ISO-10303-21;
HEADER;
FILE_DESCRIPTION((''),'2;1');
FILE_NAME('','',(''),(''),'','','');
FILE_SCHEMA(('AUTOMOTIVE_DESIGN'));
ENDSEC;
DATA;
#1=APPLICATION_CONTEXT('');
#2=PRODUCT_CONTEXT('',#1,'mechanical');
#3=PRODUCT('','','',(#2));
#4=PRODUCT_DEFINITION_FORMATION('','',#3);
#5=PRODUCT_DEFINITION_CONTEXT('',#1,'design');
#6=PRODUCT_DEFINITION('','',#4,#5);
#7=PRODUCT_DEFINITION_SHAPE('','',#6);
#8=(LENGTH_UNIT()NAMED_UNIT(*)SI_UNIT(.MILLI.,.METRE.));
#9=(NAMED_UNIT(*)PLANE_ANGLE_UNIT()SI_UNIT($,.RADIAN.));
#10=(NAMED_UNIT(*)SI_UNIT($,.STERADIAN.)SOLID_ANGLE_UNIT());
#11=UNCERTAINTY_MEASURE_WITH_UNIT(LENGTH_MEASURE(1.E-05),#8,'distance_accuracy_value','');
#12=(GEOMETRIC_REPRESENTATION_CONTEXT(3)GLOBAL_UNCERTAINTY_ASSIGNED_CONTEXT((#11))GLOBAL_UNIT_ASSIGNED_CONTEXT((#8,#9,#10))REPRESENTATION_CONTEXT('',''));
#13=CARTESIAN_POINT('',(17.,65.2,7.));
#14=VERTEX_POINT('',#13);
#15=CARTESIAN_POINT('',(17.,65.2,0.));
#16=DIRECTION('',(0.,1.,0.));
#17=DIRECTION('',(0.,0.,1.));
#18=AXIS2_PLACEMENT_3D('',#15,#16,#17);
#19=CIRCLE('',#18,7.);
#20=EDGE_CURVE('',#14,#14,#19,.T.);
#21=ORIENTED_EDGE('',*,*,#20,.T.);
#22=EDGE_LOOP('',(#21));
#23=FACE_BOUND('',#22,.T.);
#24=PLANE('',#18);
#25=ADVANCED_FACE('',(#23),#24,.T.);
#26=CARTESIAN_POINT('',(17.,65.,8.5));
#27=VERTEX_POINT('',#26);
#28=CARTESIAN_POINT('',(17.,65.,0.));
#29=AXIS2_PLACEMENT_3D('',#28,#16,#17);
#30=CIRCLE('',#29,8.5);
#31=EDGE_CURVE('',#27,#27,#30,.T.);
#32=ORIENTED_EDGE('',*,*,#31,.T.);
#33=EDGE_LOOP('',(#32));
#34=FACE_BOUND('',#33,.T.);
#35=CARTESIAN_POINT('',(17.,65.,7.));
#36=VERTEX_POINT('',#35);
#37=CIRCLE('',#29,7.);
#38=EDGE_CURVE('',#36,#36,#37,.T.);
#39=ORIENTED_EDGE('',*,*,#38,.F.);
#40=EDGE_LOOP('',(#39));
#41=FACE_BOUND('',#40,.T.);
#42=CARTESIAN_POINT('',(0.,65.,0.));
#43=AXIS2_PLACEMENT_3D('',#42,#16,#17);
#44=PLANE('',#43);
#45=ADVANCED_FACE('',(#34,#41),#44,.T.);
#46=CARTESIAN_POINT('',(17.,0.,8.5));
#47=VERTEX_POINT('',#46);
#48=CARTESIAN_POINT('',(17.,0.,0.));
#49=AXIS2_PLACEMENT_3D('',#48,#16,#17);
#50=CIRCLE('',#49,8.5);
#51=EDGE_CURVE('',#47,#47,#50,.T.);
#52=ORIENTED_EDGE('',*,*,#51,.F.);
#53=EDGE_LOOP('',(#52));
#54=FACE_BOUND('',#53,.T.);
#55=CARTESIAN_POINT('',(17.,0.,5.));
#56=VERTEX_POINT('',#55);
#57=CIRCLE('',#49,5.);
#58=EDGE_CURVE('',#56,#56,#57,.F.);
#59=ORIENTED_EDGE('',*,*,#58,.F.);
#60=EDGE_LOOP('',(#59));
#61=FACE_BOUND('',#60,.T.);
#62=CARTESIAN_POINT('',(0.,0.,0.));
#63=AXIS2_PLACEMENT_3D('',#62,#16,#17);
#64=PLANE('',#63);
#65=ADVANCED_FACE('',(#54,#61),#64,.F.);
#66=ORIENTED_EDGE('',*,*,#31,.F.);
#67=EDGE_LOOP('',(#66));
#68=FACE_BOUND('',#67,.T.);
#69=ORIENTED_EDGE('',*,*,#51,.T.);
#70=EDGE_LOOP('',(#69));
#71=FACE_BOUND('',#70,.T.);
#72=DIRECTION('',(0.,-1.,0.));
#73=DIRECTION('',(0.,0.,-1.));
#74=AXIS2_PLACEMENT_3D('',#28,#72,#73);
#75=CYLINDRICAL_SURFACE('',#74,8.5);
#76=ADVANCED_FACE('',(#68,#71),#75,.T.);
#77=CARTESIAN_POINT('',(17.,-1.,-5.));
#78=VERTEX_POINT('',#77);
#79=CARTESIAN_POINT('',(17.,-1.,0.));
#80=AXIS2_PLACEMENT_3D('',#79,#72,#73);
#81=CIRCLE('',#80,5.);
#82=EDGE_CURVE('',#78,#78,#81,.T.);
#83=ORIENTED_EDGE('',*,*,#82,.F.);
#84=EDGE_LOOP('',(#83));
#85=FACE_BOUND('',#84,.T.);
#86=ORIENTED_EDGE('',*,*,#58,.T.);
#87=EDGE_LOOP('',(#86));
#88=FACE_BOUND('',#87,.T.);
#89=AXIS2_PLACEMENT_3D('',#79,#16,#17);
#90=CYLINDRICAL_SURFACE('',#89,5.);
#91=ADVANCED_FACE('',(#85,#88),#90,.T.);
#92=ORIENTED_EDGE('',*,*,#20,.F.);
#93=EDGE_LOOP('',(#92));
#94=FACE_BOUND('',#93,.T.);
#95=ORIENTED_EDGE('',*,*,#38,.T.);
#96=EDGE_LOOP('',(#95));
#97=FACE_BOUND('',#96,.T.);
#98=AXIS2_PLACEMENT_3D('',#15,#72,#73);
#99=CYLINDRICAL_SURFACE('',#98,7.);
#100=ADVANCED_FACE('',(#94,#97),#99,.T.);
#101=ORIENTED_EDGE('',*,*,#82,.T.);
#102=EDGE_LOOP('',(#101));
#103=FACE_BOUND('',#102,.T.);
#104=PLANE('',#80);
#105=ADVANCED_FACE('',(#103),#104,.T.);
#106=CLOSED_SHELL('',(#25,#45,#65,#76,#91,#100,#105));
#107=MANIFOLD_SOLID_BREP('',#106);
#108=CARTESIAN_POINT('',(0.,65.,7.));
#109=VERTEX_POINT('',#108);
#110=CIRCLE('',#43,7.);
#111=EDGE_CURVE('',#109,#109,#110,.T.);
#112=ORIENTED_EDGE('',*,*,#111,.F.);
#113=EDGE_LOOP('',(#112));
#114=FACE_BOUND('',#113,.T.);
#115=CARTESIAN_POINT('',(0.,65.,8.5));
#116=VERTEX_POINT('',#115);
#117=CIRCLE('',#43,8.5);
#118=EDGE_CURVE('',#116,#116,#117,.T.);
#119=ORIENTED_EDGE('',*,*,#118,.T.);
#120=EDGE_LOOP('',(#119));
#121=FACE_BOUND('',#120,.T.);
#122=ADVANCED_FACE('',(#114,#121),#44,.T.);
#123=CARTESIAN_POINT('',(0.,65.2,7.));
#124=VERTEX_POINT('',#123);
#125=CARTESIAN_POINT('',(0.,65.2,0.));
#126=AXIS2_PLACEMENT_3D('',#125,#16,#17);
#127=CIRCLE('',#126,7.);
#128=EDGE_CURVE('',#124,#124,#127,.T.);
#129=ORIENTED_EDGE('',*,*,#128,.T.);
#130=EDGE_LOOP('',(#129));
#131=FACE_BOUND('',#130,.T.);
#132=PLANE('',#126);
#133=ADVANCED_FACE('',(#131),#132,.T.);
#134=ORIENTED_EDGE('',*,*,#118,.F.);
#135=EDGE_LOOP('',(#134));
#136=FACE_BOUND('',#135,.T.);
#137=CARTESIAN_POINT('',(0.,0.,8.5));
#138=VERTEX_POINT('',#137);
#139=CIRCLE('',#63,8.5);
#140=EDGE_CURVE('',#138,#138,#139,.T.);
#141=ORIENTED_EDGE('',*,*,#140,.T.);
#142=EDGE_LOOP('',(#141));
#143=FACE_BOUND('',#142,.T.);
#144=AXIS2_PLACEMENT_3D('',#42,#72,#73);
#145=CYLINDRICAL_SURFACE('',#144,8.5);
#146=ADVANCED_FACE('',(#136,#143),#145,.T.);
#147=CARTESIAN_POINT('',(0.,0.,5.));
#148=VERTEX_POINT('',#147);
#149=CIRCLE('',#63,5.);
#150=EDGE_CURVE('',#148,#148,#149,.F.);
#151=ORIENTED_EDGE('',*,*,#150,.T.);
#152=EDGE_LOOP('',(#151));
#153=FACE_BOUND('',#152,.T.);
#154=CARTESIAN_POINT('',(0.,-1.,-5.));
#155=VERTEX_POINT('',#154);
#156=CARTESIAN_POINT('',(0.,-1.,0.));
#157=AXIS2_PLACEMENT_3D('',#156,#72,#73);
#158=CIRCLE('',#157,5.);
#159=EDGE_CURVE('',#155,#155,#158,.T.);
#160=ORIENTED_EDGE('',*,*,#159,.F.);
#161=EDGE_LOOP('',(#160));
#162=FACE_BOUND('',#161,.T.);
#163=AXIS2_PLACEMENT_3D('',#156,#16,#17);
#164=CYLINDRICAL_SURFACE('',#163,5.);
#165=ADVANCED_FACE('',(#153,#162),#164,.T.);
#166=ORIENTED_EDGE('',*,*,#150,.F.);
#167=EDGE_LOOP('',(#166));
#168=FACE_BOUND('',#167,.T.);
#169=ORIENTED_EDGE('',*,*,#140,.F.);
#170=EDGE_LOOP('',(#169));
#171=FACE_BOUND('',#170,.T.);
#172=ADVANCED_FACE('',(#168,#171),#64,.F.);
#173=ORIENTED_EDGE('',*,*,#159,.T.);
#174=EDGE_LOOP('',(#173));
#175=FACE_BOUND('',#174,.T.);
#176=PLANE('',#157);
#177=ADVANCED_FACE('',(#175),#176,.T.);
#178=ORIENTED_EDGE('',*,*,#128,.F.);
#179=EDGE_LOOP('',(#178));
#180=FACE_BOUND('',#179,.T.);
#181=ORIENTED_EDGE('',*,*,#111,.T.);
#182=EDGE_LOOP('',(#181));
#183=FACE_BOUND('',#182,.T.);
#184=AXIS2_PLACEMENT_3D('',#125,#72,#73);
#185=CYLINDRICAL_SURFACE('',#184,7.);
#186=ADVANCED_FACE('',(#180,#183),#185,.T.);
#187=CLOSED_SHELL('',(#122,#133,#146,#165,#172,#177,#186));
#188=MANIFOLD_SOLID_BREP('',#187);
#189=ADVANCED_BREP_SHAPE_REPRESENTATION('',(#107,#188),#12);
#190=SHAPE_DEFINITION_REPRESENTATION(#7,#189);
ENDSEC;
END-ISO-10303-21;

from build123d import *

# Parameters (mm, degrees)
SKETCH1_R             = 8.5
BOSS_EXTRUDE1_DEPTH   = 65
BOSS_EXTRUDE1_2_DEPTH = 65
SKETCH2_R             = 5
BOSS_EXTRUDE2_DEPTH   = 1
SKETCH3_R             = 7
BOSS_EXTRUDE3_DEPTH   = 0.2


with BuildPart() as part:
    # Sketch1 → Boss-Extrude1 (new body)
    with BuildSketch(Plane(origin=(0, 0, 0), x_dir=(1, 0, 0), z_dir=(0, 1, 0))):
        with Locations(Location((0, 0, 0), (0, 0, 270))):
            Circle(SKETCH1_R)
    extrude(amount=BOSS_EXTRUDE1_DEPTH)



with BuildPart() as body_2:
    # Sketch1 → Boss-Extrude1 2 (new body)
    with BuildSketch(Plane(origin=(0, 0, 0), x_dir=(1, 0, 0), z_dir=(0, 1, 0))):
        with Locations(Location((17, 0, 0), (0, 0, 270))):
            Circle(SKETCH1_R)
    extrude(amount=BOSS_EXTRUDE1_2_DEPTH)


with BuildPart() as part_1:
    add(part.part)

    add(body_2.part)  # Boss-Extrude2 merges body 2
    # Sketch2 → Boss-Extrude2 (add)
    with BuildSketch(Plane.XZ):
        with Locations(Location((17, 0, 0), (0, 0, 90))):
            Circle(SKETCH2_R)
        with Locations(Location((0, 0, 0), (0, 0, 90))):
            Circle(SKETCH2_R)
    extrude(amount=BOSS_EXTRUDE2_DEPTH)

    # Sketch3 → Boss-Extrude3 (add)
    with BuildSketch(Plane(origin=(0, 65, 0), x_dir=(1, 0, 0), z_dir=(0, 1, 0))):
        with Locations(Location((17, 0, 0), (0, 0, 270))):
            Circle(SKETCH3_R)
        with Locations(Location((0, 0, 0), (0, 0, 270))):
            Circle(SKETCH3_R)
    extrude(amount=BOSS_EXTRUDE3_DEPTH)


solid = part_1.part
